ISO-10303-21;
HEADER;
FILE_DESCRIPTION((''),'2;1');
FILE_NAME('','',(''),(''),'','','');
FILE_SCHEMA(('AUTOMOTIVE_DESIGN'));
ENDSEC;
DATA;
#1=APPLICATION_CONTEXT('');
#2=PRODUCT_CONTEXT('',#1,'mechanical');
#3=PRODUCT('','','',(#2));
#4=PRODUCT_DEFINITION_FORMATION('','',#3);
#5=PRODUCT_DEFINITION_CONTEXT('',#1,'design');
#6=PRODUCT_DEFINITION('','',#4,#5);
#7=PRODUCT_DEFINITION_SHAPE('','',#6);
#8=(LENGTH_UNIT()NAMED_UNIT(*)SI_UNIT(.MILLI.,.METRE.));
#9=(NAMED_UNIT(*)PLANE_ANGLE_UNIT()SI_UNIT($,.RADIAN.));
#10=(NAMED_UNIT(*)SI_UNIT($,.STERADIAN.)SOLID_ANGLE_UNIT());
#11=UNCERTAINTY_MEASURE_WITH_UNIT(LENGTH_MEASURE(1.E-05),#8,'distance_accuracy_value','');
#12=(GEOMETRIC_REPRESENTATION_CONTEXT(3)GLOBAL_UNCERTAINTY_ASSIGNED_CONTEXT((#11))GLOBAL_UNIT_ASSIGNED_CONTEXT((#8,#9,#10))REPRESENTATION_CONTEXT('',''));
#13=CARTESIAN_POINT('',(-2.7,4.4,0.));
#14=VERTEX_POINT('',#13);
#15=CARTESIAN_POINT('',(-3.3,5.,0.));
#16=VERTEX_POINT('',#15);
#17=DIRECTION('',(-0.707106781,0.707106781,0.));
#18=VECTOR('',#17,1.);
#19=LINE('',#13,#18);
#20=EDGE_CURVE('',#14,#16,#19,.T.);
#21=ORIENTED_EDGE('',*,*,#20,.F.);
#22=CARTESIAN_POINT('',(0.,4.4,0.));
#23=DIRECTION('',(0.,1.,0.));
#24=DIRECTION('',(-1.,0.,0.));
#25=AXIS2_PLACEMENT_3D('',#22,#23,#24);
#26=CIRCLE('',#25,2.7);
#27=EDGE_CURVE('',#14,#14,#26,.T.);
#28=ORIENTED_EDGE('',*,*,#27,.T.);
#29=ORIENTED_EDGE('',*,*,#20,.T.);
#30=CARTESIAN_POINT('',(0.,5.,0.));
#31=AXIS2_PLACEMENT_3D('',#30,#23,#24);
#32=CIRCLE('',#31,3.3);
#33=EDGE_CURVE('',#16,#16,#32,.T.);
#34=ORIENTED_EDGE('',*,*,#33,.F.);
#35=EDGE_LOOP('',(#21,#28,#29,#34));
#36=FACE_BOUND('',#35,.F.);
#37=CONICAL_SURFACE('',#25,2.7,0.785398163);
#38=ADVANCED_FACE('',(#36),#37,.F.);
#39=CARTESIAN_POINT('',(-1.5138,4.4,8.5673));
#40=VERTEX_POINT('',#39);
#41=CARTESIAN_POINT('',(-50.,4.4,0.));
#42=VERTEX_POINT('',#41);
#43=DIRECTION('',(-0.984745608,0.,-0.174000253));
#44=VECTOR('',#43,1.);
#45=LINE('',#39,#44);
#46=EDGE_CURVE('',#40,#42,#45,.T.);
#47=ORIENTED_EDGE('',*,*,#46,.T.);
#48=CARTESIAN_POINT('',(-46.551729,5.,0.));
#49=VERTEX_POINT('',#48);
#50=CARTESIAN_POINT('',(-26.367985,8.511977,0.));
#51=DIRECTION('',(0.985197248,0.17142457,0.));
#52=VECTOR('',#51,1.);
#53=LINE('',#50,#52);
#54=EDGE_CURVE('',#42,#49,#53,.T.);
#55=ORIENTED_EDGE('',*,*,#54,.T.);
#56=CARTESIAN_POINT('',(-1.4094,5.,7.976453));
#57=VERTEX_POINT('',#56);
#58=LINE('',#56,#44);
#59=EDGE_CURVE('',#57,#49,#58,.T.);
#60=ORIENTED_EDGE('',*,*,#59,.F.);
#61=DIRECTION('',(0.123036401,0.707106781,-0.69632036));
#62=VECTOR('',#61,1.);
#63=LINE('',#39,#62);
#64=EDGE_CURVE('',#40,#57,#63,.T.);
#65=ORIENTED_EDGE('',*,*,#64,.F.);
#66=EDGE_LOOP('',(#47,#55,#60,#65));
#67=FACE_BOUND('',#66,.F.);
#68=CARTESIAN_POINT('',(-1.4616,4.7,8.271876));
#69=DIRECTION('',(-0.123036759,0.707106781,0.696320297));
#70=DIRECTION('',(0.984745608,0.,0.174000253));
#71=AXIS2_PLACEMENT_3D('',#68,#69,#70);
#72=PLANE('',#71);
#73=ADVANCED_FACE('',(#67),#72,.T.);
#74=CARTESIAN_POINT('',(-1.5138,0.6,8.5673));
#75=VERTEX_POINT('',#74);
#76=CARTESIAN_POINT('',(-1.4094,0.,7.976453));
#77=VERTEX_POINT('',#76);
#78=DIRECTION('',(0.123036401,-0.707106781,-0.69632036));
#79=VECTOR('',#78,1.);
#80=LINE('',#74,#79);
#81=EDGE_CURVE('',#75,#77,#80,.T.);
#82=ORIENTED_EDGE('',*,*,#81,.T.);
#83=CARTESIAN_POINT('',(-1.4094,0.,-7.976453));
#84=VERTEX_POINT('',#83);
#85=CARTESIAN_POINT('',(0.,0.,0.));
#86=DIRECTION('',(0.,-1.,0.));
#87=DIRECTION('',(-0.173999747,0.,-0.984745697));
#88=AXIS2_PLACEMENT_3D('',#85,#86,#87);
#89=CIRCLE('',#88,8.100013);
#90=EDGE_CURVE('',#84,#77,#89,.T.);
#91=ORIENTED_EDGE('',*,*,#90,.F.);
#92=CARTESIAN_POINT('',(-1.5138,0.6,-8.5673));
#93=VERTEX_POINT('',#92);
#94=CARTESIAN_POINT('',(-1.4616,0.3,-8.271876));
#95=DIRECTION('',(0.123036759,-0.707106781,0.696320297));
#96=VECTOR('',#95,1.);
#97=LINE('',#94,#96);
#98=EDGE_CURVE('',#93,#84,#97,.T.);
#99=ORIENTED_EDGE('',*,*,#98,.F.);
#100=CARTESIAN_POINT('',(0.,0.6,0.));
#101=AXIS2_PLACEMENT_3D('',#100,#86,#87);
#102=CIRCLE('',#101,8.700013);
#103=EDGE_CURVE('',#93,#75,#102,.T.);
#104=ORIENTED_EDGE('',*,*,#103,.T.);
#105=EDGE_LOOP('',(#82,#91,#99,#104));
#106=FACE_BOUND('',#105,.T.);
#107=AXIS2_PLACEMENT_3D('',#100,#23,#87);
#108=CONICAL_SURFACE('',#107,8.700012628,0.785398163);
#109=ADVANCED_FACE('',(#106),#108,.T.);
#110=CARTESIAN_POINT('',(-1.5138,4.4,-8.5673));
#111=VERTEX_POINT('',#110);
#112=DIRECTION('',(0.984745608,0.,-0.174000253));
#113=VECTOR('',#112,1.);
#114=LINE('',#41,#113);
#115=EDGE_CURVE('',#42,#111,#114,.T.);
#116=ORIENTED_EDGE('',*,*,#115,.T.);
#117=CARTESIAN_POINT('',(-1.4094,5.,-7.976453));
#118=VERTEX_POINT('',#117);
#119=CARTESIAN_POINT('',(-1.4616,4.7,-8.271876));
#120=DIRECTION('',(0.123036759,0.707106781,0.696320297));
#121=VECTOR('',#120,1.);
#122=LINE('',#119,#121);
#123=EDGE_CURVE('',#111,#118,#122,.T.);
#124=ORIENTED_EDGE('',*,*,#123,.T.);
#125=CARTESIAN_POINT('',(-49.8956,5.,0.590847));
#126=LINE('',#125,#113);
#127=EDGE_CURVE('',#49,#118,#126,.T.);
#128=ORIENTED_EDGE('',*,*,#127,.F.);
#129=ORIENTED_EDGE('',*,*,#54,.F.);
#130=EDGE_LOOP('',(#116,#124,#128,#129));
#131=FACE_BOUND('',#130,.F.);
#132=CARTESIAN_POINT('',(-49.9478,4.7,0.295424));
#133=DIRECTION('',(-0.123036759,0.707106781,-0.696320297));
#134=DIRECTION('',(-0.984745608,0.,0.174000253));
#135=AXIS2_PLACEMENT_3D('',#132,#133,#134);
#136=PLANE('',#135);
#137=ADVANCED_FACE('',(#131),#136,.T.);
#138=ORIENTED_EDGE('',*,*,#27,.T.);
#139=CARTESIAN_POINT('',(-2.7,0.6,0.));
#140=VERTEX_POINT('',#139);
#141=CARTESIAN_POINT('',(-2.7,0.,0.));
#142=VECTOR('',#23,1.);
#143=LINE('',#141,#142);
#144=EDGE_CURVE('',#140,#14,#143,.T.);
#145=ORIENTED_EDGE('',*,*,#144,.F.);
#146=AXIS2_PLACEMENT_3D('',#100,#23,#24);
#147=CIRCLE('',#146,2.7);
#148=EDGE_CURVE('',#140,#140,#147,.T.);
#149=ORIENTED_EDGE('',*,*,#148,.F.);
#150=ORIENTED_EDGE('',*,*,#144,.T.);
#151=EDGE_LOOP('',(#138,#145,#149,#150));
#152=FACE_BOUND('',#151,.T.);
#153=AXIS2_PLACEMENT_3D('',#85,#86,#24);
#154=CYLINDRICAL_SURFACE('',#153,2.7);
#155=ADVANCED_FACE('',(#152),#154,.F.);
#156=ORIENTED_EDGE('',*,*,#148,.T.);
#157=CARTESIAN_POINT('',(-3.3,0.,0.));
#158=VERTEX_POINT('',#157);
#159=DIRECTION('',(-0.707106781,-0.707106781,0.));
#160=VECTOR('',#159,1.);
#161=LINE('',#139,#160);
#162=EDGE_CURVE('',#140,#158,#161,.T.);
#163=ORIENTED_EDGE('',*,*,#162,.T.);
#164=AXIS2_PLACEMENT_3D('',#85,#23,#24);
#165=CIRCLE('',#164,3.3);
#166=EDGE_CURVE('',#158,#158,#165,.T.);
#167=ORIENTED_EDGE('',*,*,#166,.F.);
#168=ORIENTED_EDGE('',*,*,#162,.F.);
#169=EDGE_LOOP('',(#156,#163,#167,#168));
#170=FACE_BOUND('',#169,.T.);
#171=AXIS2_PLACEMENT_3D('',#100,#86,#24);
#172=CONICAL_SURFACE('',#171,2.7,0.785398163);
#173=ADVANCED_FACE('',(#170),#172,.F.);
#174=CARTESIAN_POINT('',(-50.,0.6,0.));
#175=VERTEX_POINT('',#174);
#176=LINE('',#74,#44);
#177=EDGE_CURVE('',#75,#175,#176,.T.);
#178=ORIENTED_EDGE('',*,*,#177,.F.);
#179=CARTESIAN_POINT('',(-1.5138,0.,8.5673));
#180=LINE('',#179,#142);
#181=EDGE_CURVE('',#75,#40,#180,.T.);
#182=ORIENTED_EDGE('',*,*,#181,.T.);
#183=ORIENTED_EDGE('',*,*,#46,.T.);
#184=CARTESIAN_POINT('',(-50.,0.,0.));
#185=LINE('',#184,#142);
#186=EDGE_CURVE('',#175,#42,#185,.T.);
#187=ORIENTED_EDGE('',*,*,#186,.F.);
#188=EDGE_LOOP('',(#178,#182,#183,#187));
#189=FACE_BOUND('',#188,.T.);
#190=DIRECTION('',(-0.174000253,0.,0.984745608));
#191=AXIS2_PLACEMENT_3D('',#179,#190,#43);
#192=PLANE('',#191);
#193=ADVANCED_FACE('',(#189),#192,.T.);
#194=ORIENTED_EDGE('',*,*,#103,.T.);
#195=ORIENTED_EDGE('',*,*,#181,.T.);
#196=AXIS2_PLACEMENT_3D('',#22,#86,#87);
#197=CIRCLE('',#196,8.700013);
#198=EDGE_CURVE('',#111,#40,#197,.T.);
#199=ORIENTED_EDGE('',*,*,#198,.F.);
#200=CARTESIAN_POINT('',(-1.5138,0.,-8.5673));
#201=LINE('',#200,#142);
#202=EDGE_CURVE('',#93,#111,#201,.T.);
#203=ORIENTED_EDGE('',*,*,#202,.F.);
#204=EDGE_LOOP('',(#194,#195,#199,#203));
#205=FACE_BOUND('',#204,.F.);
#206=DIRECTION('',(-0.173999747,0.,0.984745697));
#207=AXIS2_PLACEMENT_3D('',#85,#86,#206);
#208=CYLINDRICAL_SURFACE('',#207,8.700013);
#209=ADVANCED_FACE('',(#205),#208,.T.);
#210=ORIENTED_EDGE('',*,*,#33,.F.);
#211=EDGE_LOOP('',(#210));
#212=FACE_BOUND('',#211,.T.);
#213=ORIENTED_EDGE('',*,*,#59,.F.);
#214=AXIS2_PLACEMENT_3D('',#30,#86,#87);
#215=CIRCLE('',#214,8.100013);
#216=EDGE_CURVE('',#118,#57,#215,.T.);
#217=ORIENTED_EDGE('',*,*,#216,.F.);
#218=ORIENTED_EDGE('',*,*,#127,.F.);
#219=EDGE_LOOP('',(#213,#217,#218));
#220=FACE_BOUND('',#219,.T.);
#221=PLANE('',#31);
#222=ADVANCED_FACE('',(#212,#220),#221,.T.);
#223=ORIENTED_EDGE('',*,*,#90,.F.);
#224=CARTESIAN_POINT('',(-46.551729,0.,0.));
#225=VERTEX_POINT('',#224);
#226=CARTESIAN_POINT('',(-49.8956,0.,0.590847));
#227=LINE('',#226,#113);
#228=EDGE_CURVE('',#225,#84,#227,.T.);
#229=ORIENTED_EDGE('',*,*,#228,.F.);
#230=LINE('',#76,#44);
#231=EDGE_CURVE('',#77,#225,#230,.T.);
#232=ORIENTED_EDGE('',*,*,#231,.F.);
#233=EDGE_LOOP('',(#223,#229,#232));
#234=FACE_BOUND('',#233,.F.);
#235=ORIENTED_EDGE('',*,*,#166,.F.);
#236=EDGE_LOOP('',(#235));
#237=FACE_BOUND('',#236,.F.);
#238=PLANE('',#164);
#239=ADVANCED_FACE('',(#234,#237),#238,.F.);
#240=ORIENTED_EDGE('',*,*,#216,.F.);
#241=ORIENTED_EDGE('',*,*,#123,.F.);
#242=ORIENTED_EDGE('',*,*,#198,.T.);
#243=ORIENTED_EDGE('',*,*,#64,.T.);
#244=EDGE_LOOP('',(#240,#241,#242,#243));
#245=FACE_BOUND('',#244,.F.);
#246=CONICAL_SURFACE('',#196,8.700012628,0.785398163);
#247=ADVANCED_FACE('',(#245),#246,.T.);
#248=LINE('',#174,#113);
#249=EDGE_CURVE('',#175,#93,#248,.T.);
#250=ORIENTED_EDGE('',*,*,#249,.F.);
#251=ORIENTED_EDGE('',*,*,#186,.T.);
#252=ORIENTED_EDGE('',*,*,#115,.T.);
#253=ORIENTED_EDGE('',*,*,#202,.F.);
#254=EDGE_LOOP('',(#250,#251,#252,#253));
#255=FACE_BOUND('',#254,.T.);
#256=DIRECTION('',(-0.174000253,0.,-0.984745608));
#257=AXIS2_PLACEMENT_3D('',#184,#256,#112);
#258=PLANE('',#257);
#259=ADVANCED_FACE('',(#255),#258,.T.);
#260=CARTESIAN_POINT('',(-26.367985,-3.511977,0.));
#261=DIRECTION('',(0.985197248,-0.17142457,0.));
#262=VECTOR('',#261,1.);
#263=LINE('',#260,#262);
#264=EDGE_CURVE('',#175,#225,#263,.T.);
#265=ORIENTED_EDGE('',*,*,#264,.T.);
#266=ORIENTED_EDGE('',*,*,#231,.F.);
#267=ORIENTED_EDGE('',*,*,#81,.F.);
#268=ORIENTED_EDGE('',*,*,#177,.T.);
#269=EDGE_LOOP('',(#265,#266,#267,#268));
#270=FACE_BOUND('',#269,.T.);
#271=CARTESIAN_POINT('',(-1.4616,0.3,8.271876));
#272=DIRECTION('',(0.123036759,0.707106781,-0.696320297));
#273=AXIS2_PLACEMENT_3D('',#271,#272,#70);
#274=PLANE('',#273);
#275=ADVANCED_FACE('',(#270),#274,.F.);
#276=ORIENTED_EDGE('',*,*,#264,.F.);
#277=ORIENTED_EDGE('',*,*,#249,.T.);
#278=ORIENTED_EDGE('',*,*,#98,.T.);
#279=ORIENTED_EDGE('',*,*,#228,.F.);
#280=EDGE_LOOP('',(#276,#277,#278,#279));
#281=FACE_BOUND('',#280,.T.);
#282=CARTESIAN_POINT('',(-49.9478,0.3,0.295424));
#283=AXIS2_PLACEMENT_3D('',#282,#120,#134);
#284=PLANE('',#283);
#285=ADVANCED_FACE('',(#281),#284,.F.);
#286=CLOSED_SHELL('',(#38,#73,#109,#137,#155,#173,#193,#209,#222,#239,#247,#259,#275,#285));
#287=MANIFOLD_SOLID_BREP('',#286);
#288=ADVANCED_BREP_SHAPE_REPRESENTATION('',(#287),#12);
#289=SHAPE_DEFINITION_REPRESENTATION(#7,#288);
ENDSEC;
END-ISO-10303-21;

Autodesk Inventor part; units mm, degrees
ref_plane "YZ Plane" through (0, 0, 0) normal (1, 0, 0) x (0, 1, 0)
ref_plane "XZ Plane" through (0, 0, 0) normal (0, 1, 0) x (-1, 0, 0)
ref_plane "XY Plane" through (0, 0, 0) normal (0, 0, 1) x (1, 0, 0)
sketch "Boceto1" plane through (0, 0, 0) normal (0, 1, 0) x (-1, 0, 0)
  circle A0 centre (0, 0) radius 2.7
  arc A1 (1.5138, 8.5673) -> (1.5138, -8.5673) centre (0, 0) ccw
  line L0 (1.5138, 8.5673) -> (50, 0)
  line L1 (50, 0) -> (1.5138, -8.5673)
  dimension "d0" = 5.4
  dimension "d1" = 6
  dimension "d2" = 50
extrude "Extrusión1" add sketch "Boceto1" along normal blind 5
chamfer "Chaflán1" distance 0.6 angle 45 8 edges at (-25.7569, 5, 4.2836) (8.7, 5, 0) (-25.7569, 5, -4.2836) (-25.7569, 0, 4.2836) (8.7, 0, 0) (-25.7569, 0, -4.2836) (2.7, 5, 0) (2.7, 0, 0)
